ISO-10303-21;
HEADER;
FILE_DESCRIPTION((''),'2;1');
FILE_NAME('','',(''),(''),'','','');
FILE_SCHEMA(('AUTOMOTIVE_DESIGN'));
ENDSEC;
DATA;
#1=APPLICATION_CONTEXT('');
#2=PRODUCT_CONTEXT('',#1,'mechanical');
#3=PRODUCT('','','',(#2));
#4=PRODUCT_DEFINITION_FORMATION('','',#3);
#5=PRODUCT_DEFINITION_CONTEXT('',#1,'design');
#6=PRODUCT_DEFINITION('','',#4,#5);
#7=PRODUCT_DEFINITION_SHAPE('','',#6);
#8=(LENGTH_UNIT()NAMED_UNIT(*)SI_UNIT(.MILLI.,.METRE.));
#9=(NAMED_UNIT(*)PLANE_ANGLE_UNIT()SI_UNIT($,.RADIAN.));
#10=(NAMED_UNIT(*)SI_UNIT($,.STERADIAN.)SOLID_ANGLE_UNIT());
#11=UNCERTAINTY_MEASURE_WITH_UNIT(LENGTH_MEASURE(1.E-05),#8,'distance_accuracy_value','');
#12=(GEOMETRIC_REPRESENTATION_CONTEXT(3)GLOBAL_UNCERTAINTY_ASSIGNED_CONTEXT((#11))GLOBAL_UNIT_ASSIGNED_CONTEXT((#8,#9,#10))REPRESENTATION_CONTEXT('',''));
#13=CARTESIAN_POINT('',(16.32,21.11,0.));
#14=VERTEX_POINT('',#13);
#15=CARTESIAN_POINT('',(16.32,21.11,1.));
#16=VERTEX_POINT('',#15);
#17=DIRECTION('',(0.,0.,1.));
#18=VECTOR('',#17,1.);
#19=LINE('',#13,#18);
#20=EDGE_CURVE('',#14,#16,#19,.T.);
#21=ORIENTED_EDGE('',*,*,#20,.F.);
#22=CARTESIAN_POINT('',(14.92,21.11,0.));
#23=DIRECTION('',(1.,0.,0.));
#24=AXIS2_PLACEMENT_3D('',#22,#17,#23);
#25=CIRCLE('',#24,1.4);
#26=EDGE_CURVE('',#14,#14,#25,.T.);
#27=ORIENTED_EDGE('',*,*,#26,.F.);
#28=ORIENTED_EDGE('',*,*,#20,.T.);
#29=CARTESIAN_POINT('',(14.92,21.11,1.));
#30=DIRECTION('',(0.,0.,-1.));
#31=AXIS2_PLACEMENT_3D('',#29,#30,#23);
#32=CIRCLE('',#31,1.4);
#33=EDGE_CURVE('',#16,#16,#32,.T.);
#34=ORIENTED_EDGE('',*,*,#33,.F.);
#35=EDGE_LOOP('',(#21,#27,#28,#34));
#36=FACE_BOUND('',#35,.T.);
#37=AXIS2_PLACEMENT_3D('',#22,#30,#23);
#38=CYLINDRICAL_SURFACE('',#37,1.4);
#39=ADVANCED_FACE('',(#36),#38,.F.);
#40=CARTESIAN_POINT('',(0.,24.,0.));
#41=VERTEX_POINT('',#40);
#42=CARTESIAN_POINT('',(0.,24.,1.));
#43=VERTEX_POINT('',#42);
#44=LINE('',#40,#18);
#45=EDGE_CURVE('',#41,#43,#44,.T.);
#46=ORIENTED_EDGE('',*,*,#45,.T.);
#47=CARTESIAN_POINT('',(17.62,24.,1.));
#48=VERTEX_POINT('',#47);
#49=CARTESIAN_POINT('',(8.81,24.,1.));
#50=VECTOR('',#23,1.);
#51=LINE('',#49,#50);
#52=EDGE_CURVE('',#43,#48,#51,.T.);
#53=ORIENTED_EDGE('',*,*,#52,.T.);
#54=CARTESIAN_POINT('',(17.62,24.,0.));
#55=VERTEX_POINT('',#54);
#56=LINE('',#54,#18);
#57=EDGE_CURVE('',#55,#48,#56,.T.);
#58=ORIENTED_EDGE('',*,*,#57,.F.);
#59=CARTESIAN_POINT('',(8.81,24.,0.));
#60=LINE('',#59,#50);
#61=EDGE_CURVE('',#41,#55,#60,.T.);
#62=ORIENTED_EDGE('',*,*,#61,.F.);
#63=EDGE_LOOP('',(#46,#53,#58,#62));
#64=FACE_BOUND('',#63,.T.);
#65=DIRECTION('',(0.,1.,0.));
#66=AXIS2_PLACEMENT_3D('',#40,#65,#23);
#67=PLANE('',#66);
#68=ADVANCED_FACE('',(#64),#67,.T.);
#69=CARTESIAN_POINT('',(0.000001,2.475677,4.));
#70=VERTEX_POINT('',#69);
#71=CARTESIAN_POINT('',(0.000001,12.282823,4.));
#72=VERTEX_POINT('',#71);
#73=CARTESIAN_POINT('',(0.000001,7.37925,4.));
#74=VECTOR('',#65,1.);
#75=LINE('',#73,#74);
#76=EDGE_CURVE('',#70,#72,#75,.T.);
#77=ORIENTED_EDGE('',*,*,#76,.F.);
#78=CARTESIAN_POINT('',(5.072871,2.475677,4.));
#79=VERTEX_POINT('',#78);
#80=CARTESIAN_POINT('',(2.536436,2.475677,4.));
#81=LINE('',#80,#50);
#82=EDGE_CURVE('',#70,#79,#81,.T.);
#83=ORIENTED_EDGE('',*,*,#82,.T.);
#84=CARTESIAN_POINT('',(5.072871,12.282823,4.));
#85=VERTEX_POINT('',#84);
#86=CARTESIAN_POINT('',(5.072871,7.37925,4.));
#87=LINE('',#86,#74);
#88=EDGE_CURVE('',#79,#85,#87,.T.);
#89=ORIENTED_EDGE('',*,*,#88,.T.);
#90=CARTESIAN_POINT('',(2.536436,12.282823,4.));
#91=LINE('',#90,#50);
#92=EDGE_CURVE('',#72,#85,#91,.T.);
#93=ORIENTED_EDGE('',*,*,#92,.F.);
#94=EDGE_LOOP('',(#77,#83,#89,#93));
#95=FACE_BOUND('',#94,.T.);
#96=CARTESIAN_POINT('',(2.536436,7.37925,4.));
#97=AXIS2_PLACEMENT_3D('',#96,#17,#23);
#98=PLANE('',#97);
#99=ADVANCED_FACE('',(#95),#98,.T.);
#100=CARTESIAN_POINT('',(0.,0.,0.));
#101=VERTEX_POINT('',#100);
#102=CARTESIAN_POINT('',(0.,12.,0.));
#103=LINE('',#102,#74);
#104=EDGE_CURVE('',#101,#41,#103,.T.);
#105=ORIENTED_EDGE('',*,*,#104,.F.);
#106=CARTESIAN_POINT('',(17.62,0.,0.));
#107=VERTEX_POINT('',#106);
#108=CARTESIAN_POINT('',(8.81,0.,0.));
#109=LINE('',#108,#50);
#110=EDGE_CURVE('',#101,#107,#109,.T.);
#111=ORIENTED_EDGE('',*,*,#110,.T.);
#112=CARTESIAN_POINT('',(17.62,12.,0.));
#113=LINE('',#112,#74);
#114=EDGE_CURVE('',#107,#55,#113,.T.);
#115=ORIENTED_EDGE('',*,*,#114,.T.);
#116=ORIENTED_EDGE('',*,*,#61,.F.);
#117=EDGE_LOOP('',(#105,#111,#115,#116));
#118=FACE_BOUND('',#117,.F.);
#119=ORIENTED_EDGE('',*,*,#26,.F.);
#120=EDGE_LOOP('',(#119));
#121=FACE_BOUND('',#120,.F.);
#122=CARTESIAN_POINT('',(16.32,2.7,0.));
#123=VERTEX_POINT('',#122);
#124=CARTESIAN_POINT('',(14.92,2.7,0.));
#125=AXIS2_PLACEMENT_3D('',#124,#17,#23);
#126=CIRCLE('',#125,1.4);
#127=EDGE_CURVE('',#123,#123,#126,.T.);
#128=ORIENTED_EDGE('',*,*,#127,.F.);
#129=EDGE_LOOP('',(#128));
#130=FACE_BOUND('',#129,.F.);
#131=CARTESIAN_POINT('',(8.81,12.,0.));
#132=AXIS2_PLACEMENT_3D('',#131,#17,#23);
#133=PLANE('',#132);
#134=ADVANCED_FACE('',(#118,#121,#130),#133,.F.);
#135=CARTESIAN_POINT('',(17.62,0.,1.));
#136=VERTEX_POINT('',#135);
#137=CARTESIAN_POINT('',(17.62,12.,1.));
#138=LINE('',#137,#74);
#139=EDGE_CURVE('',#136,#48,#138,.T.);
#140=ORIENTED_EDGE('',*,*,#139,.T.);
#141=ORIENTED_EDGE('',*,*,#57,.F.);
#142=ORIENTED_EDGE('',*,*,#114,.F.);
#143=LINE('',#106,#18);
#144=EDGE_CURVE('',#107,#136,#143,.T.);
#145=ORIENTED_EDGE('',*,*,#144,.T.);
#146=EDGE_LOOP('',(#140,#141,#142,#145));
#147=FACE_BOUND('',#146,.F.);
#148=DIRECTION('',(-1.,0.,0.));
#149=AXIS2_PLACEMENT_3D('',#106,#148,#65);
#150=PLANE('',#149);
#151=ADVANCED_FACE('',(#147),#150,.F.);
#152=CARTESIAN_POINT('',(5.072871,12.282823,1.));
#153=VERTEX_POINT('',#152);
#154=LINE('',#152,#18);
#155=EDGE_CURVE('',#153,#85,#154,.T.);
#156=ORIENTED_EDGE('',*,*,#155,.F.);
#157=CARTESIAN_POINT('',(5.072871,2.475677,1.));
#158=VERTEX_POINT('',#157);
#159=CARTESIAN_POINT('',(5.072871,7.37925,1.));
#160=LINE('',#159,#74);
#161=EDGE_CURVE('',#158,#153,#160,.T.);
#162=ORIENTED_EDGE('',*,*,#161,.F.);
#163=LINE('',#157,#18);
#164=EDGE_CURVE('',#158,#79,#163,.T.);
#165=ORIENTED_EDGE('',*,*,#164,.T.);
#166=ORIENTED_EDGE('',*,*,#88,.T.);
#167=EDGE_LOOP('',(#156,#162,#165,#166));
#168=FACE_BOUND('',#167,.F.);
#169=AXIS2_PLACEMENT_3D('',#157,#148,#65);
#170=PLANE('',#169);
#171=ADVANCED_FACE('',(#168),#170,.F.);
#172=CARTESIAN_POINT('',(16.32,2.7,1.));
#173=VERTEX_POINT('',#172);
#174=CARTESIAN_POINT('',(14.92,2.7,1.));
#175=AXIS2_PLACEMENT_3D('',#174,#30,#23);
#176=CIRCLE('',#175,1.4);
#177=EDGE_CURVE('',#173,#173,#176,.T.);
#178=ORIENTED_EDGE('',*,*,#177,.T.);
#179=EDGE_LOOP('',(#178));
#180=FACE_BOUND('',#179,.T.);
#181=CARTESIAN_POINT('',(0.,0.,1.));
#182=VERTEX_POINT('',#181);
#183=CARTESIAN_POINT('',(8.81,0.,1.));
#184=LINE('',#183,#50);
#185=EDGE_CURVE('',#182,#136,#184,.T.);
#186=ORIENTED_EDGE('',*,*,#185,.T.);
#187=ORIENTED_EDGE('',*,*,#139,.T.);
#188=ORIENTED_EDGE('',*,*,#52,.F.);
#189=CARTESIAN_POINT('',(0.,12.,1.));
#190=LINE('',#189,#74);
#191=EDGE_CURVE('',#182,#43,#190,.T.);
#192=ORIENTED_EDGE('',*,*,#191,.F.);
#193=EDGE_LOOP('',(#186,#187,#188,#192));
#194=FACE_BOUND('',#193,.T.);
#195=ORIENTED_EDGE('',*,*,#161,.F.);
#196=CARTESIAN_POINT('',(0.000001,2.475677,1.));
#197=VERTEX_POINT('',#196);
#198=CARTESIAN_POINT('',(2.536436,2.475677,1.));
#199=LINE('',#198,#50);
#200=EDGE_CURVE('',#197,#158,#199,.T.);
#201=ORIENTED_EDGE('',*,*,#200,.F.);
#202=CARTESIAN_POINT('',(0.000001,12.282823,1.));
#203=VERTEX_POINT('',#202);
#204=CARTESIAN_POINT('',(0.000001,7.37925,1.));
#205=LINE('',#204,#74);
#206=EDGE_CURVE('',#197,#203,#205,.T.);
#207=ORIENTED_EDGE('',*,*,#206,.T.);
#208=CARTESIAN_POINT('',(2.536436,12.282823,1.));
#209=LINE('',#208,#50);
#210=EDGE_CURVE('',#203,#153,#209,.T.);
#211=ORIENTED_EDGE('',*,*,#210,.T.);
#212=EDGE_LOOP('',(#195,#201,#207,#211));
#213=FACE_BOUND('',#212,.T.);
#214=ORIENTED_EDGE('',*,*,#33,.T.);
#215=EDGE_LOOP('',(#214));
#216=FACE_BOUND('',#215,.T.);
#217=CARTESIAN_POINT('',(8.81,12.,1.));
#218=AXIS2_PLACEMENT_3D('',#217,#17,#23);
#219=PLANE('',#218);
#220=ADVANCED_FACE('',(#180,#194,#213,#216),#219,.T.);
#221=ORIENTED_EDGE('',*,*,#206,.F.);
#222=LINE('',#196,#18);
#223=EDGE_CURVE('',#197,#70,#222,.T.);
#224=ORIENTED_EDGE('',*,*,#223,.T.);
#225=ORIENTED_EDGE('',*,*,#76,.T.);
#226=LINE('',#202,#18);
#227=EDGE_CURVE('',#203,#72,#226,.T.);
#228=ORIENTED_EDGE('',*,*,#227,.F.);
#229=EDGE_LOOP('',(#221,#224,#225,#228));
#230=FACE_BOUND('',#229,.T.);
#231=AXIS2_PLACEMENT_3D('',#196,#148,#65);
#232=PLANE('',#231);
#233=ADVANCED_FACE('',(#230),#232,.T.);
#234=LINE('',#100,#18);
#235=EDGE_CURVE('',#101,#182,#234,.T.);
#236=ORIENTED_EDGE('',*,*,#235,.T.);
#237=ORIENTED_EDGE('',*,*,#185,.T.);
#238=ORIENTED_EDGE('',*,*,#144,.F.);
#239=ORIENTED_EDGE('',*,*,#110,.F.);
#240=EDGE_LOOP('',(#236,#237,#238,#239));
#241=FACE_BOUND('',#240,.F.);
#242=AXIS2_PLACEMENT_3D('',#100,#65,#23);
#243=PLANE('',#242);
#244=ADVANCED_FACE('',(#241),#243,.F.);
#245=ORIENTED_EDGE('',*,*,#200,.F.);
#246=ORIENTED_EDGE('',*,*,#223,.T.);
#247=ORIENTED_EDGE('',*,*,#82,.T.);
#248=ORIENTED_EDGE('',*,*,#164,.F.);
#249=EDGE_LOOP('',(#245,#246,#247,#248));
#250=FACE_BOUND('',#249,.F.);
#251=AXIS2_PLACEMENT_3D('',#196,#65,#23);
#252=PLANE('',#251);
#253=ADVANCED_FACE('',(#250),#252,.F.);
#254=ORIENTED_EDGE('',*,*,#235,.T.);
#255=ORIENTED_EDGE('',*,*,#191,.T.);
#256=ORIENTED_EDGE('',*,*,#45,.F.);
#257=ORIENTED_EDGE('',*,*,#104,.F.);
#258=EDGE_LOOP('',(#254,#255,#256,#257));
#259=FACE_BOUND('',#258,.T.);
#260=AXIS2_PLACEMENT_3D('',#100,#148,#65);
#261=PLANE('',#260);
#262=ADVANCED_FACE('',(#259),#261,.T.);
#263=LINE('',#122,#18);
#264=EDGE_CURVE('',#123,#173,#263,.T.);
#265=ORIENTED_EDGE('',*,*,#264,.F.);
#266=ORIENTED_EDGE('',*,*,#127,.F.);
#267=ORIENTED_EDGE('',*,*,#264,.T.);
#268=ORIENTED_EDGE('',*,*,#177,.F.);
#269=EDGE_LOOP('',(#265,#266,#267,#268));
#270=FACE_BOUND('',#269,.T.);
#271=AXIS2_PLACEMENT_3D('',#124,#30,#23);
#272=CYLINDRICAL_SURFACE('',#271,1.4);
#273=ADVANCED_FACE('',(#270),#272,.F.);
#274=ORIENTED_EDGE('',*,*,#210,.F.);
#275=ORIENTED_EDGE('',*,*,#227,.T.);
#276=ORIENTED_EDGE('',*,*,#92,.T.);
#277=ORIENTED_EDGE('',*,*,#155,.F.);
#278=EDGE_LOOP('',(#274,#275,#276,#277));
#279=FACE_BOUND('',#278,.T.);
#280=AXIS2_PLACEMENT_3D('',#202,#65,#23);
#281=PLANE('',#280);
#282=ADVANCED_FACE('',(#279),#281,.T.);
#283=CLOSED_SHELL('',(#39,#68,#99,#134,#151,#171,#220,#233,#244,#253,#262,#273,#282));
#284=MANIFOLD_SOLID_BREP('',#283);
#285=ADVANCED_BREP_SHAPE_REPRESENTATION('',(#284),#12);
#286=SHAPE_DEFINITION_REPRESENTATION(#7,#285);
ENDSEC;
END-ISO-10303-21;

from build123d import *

# Parameters (mm, degrees)
F0_W     = 17.62
F0_H     = 24
F2_DEPTH = 1
F1_R     = 1.4
F3_DEPTH = 3
F4_W     = 5.072871
F4_H     = 9.807147
F5_DEPTH = 3


with BuildPart() as f2:
    # F0 (on Top) → F2 (new body)
    with BuildSketch(Plane.XY):
        with Locations((8.81, 12)):
            Rectangle(F0_W, F0_H)
    extrude(amount=F2_DEPTH)

    # F1 (on face) → F3 (cut)
    with BuildSketch(Plane.XY):
        with Locations((14.92, 2.7)):
            Circle(F1_R)
        with Locations((14.92, 21.11)):
            Circle(F1_R)
    extrude(amount=F3_DEPTH, mode=Mode.SUBTRACT)

    # F4 (on face) → F5 (join)
    with BuildSketch(Plane.XY.offset(1)):
        with Locations((2.536436, 7.37925)):
            Rectangle(F4_W, F4_H)
    extrude(amount=F5_DEPTH)


solid = f2.part
